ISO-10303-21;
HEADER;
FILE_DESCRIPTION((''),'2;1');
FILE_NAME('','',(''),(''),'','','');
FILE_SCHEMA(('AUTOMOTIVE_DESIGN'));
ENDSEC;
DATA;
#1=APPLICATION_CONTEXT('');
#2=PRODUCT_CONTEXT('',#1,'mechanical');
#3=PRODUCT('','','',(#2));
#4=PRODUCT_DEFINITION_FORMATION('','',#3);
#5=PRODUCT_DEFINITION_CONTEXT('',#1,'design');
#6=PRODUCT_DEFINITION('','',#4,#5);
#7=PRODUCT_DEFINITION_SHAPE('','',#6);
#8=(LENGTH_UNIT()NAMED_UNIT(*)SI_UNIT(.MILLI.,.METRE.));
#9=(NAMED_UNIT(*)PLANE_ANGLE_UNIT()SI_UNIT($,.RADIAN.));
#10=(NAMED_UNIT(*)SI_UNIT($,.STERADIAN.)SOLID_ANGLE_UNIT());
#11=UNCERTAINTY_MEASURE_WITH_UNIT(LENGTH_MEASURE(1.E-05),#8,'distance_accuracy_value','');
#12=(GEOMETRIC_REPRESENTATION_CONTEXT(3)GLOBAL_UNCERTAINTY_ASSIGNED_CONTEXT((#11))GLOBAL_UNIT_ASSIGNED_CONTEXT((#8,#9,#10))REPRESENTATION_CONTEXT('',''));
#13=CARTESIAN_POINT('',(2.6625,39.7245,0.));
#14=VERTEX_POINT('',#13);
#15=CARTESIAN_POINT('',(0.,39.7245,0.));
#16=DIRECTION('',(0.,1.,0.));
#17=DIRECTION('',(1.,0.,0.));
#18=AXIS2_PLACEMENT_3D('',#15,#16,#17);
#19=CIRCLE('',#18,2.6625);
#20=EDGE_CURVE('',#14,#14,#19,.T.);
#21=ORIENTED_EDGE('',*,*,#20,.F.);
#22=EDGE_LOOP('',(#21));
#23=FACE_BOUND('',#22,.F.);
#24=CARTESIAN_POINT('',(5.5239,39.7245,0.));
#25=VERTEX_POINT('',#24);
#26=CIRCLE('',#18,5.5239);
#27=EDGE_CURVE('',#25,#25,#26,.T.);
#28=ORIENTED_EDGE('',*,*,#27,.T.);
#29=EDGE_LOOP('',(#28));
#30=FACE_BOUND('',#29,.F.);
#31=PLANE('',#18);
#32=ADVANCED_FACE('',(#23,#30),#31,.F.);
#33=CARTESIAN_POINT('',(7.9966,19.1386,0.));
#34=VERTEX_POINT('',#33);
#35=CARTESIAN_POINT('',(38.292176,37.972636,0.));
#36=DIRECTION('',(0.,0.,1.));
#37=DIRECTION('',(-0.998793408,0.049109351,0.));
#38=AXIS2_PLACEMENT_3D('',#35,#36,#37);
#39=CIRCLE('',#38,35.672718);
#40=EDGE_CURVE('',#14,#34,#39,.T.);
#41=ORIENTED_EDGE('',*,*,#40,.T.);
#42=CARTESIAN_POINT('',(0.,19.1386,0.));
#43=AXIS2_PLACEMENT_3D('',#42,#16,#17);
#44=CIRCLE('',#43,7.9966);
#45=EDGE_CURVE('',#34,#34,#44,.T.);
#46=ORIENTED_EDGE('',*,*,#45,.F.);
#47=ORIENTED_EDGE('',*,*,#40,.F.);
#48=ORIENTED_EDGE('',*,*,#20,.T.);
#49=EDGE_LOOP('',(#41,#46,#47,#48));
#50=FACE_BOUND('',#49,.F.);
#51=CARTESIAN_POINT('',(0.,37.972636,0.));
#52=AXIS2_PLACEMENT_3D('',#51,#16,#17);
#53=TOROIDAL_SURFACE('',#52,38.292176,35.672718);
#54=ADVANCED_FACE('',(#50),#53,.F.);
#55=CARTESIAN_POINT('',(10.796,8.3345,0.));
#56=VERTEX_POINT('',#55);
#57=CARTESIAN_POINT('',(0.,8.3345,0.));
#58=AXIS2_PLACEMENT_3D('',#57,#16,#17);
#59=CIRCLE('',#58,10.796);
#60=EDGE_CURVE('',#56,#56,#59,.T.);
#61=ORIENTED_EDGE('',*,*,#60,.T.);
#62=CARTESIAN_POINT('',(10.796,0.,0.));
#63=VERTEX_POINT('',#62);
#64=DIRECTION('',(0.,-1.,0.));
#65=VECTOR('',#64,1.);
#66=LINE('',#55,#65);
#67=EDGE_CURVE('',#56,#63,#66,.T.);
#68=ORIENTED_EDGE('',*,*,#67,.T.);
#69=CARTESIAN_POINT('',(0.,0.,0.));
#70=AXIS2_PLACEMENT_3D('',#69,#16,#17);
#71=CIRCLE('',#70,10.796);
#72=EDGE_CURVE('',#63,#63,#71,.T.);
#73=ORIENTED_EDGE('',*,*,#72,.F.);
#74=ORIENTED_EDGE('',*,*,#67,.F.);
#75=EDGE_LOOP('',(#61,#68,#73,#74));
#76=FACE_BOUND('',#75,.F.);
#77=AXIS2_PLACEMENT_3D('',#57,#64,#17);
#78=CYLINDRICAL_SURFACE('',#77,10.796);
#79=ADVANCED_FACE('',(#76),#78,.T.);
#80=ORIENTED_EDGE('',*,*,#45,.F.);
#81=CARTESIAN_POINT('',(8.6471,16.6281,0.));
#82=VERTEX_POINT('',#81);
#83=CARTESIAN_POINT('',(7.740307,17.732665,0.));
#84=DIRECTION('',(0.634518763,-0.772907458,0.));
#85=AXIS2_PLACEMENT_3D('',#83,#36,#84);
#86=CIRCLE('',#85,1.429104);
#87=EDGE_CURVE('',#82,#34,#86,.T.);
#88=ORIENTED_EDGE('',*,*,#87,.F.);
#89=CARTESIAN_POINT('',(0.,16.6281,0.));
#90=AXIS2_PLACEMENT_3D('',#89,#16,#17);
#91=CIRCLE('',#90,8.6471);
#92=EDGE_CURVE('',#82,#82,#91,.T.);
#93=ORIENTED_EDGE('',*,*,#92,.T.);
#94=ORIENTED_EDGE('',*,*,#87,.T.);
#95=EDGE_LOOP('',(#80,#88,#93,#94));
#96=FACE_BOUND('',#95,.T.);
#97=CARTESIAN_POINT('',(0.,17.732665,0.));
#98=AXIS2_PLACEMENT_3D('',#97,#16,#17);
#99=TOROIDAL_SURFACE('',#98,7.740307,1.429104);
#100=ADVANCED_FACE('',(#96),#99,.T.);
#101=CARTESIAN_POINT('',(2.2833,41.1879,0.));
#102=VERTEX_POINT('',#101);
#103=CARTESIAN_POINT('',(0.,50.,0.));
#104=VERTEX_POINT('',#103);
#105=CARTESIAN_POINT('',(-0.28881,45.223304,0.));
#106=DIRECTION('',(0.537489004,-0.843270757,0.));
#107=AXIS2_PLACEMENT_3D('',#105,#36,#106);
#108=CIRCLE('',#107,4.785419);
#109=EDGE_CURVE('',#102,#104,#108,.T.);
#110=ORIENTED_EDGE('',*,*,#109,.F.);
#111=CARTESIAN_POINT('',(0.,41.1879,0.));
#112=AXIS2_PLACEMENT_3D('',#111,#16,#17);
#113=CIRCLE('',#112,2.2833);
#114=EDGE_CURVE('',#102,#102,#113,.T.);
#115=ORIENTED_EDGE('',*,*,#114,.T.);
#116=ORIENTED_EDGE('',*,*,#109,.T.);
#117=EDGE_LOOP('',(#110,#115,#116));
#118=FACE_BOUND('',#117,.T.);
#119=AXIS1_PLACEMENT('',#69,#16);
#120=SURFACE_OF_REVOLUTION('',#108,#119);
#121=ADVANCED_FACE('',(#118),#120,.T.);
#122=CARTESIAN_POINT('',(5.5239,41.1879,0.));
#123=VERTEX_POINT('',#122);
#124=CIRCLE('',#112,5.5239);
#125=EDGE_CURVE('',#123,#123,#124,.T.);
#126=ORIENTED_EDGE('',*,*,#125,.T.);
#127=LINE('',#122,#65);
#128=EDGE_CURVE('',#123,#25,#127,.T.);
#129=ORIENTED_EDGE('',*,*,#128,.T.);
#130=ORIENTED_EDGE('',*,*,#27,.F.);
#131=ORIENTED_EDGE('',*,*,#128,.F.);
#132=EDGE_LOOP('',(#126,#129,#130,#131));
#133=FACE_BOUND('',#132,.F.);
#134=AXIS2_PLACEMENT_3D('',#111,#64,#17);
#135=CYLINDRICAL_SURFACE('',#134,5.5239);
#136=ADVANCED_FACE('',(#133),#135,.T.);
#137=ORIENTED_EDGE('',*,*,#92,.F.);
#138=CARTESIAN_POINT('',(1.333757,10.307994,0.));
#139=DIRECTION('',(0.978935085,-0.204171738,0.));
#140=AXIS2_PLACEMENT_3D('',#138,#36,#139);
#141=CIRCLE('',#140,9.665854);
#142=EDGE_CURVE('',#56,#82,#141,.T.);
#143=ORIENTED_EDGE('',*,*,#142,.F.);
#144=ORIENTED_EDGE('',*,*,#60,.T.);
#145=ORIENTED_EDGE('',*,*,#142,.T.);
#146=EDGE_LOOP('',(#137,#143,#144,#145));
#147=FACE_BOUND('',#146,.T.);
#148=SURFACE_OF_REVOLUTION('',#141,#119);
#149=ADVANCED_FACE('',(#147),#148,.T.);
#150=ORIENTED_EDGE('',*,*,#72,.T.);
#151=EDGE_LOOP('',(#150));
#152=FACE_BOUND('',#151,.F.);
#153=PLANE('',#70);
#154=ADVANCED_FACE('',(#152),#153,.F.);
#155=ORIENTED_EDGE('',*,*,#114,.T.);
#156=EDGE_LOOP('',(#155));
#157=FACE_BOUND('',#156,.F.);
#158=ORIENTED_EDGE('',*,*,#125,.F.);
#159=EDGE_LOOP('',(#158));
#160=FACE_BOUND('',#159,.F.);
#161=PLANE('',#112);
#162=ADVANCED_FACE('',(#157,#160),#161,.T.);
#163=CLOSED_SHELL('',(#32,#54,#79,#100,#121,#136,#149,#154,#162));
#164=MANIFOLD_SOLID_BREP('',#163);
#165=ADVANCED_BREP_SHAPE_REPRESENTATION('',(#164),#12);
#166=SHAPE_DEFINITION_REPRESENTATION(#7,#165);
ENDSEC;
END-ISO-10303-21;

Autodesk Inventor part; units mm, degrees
ref_plane "YZ Plane" through (0, 0, 0) normal (1, 0, 0) x (0, 1, 0)
ref_plane "XZ Plane" through (0, 0, 0) normal (0, 1, 0) x (-1, 0, 0)
ref_plane "XY Plane" through (0, 0, 0) normal (0, 0, 1) x (1, 0, 0)
sketch "Boceto1" plane through (0, 0, 0) normal (0, 0, 1) x (1, 0, 0)
  line L0 (0, 0) -> (0, 50)
  line L1 (12.9556, 0) -> (0, 0)
  arc A0 (2.2833, 41.1879) -> (0, 50) centre (-0.2888, 45.2233) ccw
  line L2 (2.2833, 41.1879) -> (5.5239, 41.1879)
  line L3 (5.5239, 41.1879) -> (5.5239, 39.7245)
  line L4 (5.5239, 39.7245) -> (2.6625, 39.7245)
  arc A1 (2.6625, 39.7245) -> (7.9966, 19.1386) centre (38.2928, 37.9727) ccw
  arc A2 (8.6471, 16.6281) -> (7.9966, 19.1386) centre (7.7402, 17.7327) ccw
  arc A3 (10.796, 8.3345) -> (8.6471, 16.6281) centre (1.334, 10.308) ccw
  line L5 (10.796, 8.3345) -> (10.796, 0)
  dimension "d0" = 50
revolve "Revolución1" add sketch "Boceto1" angle 360 about axis through (0, 0, 0) along (0, 1, 0)
properties part number "PAWN"
